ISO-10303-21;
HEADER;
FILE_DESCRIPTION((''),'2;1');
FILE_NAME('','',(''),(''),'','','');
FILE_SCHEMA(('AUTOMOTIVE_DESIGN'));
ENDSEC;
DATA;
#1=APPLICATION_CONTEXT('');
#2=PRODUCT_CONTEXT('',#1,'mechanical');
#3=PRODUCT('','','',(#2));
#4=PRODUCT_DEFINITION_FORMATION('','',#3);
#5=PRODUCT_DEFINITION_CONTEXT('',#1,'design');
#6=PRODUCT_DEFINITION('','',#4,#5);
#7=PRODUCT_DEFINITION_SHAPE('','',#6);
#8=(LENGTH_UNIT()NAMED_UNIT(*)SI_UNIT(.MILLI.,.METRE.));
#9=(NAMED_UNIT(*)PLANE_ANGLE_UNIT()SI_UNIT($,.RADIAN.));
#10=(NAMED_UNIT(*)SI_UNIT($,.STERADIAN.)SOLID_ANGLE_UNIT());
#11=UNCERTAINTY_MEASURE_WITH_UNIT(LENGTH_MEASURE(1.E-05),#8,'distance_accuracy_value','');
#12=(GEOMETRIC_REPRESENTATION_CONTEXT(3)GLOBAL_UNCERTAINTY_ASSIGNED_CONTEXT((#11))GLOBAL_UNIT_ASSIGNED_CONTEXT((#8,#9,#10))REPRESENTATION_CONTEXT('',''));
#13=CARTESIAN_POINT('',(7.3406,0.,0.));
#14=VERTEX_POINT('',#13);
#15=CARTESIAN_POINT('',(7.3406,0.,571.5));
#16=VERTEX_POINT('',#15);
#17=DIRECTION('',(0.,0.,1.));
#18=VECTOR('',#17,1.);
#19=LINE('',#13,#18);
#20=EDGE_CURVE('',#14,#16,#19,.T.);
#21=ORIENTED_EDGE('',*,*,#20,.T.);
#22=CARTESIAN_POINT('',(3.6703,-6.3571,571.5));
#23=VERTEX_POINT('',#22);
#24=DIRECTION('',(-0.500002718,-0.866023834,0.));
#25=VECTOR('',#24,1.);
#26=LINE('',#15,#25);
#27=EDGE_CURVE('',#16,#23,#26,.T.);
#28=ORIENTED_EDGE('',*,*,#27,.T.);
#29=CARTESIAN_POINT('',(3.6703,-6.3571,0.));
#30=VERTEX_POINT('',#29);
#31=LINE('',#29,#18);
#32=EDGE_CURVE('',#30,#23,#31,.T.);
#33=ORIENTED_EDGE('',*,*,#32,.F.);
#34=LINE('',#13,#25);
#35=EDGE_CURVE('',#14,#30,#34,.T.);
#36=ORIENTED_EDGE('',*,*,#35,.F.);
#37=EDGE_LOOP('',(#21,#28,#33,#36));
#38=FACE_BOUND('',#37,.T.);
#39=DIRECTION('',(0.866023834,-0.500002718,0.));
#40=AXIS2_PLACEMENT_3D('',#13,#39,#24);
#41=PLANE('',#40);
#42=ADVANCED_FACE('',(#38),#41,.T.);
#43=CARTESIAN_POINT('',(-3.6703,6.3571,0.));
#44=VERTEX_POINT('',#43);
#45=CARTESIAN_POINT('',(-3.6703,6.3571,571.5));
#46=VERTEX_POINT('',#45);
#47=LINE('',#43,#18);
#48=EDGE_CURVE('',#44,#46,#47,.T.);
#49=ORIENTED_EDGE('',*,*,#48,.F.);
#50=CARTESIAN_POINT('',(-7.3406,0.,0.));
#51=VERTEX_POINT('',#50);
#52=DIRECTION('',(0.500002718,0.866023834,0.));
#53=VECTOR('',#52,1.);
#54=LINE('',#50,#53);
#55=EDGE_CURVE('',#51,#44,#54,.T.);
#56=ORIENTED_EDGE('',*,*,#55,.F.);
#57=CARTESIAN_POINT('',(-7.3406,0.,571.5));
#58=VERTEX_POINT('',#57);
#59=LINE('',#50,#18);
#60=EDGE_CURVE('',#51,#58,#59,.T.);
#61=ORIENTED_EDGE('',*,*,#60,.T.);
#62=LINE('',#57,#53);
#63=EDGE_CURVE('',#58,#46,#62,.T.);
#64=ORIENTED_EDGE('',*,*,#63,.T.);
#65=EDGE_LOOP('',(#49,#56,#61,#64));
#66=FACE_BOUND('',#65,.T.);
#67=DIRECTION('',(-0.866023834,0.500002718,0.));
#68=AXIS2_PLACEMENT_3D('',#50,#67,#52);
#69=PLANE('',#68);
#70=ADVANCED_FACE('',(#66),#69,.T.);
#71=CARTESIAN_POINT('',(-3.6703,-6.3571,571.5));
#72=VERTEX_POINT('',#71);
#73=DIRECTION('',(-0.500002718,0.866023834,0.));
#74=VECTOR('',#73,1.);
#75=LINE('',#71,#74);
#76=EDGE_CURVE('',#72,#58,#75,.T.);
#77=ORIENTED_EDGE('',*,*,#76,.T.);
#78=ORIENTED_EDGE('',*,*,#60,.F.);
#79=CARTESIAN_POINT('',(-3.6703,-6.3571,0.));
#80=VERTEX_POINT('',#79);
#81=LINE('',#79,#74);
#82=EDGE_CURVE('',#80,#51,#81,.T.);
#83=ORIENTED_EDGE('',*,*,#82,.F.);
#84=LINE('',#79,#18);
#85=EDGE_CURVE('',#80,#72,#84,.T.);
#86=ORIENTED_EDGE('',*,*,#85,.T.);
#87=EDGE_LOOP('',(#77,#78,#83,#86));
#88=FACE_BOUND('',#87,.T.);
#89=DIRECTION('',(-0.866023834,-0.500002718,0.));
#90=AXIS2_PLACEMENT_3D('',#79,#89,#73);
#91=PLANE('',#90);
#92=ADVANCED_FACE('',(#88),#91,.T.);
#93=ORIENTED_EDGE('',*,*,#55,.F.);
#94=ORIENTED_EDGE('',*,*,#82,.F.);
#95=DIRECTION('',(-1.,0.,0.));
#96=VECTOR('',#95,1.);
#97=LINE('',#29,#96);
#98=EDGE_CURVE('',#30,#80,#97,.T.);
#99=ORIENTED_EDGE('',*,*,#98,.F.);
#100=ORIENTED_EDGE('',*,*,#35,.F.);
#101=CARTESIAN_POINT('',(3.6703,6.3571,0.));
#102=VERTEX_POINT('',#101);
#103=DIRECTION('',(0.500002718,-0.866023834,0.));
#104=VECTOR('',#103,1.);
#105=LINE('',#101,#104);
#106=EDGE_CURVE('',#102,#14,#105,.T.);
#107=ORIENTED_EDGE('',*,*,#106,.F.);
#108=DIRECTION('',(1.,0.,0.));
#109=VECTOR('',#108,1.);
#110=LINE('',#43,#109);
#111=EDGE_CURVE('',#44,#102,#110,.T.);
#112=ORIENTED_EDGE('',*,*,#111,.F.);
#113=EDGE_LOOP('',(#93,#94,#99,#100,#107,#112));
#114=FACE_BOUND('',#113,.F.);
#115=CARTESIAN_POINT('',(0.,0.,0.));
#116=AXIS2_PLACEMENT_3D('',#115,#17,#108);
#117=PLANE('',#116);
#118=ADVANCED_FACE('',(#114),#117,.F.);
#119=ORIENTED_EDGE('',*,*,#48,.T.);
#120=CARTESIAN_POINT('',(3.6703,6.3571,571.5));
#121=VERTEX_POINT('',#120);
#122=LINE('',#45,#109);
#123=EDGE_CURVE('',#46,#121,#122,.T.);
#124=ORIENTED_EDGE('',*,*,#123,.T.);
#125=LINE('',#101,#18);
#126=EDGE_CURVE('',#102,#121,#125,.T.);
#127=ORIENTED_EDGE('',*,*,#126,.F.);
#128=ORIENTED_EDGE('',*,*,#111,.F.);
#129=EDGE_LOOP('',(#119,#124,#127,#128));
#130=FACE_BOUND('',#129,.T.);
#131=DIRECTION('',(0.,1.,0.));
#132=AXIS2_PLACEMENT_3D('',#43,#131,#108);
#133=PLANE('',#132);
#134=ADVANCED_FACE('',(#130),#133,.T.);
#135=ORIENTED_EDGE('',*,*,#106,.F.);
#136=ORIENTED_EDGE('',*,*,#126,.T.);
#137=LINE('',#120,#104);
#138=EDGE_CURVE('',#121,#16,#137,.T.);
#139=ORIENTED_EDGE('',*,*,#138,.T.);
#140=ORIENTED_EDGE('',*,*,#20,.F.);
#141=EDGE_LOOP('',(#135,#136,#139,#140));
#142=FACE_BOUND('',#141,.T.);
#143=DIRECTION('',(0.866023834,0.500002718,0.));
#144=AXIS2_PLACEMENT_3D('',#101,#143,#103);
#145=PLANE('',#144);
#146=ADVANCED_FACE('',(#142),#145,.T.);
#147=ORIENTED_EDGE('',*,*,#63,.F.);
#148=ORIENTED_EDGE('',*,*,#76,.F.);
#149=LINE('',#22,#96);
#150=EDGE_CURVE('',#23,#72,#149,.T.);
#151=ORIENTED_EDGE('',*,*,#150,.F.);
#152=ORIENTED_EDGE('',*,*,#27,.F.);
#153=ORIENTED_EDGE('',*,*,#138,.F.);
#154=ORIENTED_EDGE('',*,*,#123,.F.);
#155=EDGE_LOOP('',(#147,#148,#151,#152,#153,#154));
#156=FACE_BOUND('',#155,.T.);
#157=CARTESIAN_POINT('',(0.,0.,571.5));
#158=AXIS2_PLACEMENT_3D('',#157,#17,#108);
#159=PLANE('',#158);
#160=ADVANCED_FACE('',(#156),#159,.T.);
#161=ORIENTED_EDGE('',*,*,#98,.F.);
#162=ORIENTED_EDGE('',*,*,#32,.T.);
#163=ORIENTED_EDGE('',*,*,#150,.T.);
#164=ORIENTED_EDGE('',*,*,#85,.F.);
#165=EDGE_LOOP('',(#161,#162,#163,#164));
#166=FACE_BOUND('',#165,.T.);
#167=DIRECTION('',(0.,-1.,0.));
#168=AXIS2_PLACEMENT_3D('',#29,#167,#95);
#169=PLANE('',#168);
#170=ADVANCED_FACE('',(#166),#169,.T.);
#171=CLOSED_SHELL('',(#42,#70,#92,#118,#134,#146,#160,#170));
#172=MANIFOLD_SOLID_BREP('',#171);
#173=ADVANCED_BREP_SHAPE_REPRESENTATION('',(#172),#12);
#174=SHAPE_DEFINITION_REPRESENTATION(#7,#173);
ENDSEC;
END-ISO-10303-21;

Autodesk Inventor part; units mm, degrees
ref_plane "YZ Plane" through (0, 0, 0) normal (1, 0, 0) x (0, 1, 0)
ref_plane "XZ Plane" through (0, 0, 0) normal (0, 1, 0) x (-1, 0, 0)
ref_plane "XY Plane" through (0, 0, 0) normal (0, 0, 1) x (1, 0, 0)
sketch "Sketch1" plane through (0, 0, 0) normal (0, 0, 1) x (1, 0, 0)
  line L0 (7.3406, 0) -> (3.6703, -6.3571)
  line L1 (3.6703, -6.3571) -> (-3.6703, -6.3571)
  line L2 (-3.6703, -6.3571) -> (-7.3406, 0)
  line L3 (-7.3406, 0) -> (-3.6703, 6.3571)
  line L4 (-3.6703, 6.3571) -> (3.6703, 6.3571)
  line L5 (3.6703, 6.3571) -> (7.3406, 0)
  point P0 (0, 0)
  point P1 (0, 0)
  dimension "d0" = 7.3406
extrude "Extrusion1" add sketch "Sketch1" along normal blind 571.5
properties part number "Intake base hex"
